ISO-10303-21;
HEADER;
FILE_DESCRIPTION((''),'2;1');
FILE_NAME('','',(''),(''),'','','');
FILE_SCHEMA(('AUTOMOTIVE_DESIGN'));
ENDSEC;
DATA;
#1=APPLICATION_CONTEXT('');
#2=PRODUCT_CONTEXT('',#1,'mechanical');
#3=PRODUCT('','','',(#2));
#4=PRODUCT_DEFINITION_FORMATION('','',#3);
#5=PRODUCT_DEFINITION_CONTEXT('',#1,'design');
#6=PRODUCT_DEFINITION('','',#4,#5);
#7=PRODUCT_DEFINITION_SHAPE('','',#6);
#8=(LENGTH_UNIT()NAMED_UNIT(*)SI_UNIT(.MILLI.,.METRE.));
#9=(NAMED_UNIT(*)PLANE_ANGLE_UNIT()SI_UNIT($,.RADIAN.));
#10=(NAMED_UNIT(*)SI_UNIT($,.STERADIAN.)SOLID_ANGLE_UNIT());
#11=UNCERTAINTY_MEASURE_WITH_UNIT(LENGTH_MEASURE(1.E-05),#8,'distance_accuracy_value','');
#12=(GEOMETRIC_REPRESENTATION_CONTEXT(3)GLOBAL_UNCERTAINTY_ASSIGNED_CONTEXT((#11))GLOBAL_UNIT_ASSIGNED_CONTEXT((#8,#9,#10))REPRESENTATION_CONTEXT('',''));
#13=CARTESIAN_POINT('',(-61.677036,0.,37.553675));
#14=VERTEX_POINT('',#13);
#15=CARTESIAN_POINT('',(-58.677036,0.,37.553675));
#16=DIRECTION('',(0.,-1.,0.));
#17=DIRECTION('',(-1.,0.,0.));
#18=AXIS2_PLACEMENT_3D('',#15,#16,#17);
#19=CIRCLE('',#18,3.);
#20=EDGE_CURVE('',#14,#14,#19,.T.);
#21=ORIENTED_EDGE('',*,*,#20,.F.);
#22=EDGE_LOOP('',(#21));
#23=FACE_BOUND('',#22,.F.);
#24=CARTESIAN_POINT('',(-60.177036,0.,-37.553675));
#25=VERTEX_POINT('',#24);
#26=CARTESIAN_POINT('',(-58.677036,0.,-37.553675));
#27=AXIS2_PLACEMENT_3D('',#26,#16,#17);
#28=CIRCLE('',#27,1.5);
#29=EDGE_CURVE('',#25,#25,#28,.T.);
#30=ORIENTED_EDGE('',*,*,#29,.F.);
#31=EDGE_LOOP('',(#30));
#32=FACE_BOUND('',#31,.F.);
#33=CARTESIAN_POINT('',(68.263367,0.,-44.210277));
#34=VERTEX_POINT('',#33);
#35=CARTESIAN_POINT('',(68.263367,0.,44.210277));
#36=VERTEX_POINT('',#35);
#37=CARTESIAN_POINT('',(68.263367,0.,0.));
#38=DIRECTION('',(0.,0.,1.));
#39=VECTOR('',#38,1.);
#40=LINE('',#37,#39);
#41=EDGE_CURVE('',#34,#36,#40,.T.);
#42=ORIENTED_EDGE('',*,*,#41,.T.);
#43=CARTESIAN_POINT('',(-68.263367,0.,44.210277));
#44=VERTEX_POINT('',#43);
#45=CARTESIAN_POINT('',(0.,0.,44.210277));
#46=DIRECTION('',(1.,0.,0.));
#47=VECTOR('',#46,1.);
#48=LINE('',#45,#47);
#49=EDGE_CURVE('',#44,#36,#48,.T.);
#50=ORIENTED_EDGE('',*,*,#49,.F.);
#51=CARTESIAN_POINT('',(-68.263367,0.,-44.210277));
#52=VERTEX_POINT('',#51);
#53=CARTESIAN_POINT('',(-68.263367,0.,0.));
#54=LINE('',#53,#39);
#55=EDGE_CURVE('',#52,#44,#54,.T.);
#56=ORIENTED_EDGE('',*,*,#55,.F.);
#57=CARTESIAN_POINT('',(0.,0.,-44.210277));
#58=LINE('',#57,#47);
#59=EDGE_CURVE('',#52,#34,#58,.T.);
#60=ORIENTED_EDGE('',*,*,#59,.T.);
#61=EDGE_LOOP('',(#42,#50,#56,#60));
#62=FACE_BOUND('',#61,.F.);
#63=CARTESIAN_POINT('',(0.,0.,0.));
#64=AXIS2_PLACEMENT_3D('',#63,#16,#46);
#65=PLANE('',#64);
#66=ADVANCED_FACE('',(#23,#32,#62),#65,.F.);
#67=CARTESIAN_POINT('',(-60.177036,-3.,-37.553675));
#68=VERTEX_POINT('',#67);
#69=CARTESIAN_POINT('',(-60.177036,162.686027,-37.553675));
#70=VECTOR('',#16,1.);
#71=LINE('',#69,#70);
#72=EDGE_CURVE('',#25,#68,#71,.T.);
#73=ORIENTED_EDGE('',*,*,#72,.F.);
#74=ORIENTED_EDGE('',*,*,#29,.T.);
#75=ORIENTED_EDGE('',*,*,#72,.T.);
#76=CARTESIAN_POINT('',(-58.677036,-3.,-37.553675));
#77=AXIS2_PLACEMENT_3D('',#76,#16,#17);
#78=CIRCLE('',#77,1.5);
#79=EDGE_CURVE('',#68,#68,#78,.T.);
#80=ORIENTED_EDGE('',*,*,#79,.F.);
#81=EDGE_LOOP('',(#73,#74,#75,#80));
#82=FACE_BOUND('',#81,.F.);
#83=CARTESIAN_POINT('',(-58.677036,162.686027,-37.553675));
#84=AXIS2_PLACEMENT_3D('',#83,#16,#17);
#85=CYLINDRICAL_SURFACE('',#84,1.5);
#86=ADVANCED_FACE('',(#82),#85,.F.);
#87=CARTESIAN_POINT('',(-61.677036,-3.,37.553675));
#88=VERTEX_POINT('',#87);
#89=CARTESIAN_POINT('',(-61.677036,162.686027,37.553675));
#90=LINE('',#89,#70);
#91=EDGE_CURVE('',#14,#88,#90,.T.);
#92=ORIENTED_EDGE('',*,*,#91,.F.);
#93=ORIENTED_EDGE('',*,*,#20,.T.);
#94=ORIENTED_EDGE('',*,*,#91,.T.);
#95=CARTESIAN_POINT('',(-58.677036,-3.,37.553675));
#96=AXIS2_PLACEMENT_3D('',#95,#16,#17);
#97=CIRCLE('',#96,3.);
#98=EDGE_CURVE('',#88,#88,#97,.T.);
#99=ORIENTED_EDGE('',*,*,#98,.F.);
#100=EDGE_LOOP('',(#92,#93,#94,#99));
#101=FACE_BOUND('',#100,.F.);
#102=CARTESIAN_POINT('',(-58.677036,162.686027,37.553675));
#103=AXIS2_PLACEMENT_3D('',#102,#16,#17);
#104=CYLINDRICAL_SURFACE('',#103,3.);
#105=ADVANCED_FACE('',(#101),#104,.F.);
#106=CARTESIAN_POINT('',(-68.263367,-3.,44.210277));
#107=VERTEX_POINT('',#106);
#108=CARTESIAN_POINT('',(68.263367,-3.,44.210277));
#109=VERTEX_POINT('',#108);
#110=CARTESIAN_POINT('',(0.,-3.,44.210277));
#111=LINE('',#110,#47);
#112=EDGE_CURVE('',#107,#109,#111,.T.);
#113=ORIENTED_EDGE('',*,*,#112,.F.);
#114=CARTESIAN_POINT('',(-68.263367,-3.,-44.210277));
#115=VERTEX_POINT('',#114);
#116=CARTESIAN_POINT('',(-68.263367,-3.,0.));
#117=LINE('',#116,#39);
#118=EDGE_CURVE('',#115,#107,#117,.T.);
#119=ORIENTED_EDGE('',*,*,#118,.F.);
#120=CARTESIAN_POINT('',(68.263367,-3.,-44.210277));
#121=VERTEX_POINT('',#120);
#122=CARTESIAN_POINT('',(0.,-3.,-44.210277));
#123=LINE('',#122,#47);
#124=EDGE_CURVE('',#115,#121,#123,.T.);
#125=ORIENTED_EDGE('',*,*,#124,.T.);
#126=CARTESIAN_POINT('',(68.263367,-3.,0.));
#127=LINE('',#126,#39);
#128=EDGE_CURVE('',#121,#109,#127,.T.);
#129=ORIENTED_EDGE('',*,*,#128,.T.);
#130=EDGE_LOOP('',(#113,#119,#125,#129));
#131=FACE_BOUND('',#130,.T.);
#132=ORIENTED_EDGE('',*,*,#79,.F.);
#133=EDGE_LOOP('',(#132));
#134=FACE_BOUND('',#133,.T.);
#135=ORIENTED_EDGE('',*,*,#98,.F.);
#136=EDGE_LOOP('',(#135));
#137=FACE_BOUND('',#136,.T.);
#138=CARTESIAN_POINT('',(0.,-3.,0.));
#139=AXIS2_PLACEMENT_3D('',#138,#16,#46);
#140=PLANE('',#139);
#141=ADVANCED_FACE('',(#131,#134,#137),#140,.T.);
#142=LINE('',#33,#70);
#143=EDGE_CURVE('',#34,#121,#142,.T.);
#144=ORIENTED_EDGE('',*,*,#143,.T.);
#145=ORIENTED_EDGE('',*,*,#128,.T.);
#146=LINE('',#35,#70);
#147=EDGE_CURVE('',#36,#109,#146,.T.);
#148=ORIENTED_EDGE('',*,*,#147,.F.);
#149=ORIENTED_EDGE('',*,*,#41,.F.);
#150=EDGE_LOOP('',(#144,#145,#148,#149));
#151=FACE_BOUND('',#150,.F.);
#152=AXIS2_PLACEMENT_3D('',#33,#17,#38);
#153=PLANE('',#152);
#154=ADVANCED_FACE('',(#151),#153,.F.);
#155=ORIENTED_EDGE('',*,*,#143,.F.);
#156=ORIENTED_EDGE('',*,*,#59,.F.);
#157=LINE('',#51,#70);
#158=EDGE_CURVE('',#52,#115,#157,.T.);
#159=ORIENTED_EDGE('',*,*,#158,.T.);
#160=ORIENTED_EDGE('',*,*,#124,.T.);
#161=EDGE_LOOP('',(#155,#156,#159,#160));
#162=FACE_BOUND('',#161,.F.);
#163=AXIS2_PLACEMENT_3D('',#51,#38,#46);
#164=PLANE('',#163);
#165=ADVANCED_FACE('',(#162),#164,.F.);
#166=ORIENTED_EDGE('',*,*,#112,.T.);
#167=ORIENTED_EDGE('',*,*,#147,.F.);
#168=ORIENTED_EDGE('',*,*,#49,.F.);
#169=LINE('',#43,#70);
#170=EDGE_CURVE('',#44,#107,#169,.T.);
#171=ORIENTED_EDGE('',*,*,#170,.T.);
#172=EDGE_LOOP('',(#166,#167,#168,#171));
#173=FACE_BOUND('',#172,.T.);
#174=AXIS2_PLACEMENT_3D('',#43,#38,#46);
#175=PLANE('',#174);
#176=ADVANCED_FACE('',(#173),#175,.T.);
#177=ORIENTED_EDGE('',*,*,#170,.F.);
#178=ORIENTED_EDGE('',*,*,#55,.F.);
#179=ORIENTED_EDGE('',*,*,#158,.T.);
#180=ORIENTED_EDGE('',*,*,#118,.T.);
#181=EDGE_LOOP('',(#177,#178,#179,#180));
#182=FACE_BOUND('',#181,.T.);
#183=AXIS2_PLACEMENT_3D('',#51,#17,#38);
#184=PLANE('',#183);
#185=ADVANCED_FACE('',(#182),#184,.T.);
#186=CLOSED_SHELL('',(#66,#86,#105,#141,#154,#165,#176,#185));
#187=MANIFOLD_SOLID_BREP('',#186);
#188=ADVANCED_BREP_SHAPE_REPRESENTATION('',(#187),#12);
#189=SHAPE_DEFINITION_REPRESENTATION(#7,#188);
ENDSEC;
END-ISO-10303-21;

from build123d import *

# Parameters (mm, degrees)
F0_W     = 136.5267336369
F0_H     = 88.4205549955
F1_DEPTH = 3
F2_D     = 30
F3_W     = 117.3540726304
F3_H     = 75.1073509455
F4_DEPTH = 3
F5_D     = 6
F6_D     = 3


with BuildPart() as f1:
    # F0 (on Front) → F1 (new body)
    with BuildSketch(Plane.XZ):
        Rectangle(F0_W, F0_H)
    extrude(amount=F1_DEPTH)

    # F2 (through all)
    with Locations(Plane(origin=(0, 0, 0), x_dir=(1, 0, 0), z_dir=(0, 1, 0))):
        with Locations((0, 0)):
            Hole(F2_D / 2)

    # F3 (on Front) → F4 (join)
    with BuildSketch(Plane.XZ):
        Rectangle(F3_W, F3_H)
    extrude(amount=F4_DEPTH)

    # F5 (through all)
    with Locations(Plane(origin=(0, 0, 0), x_dir=(1, 0, 0), z_dir=(0, 1, 0))):
        with Locations((-58.6770363152, -37.5536754727)):
            Hole(F5_D / 2)

    # F6 (through all)
    with Locations(Plane(origin=(0, 0, 0), x_dir=(1, 0, 0), z_dir=(0, 1, 0))):
        with Locations((-58.6770363152, 37.5536754727), (-58.6770363152, -37.5536754727)):
            Hole(F6_D / 2)


solid = f1.part
